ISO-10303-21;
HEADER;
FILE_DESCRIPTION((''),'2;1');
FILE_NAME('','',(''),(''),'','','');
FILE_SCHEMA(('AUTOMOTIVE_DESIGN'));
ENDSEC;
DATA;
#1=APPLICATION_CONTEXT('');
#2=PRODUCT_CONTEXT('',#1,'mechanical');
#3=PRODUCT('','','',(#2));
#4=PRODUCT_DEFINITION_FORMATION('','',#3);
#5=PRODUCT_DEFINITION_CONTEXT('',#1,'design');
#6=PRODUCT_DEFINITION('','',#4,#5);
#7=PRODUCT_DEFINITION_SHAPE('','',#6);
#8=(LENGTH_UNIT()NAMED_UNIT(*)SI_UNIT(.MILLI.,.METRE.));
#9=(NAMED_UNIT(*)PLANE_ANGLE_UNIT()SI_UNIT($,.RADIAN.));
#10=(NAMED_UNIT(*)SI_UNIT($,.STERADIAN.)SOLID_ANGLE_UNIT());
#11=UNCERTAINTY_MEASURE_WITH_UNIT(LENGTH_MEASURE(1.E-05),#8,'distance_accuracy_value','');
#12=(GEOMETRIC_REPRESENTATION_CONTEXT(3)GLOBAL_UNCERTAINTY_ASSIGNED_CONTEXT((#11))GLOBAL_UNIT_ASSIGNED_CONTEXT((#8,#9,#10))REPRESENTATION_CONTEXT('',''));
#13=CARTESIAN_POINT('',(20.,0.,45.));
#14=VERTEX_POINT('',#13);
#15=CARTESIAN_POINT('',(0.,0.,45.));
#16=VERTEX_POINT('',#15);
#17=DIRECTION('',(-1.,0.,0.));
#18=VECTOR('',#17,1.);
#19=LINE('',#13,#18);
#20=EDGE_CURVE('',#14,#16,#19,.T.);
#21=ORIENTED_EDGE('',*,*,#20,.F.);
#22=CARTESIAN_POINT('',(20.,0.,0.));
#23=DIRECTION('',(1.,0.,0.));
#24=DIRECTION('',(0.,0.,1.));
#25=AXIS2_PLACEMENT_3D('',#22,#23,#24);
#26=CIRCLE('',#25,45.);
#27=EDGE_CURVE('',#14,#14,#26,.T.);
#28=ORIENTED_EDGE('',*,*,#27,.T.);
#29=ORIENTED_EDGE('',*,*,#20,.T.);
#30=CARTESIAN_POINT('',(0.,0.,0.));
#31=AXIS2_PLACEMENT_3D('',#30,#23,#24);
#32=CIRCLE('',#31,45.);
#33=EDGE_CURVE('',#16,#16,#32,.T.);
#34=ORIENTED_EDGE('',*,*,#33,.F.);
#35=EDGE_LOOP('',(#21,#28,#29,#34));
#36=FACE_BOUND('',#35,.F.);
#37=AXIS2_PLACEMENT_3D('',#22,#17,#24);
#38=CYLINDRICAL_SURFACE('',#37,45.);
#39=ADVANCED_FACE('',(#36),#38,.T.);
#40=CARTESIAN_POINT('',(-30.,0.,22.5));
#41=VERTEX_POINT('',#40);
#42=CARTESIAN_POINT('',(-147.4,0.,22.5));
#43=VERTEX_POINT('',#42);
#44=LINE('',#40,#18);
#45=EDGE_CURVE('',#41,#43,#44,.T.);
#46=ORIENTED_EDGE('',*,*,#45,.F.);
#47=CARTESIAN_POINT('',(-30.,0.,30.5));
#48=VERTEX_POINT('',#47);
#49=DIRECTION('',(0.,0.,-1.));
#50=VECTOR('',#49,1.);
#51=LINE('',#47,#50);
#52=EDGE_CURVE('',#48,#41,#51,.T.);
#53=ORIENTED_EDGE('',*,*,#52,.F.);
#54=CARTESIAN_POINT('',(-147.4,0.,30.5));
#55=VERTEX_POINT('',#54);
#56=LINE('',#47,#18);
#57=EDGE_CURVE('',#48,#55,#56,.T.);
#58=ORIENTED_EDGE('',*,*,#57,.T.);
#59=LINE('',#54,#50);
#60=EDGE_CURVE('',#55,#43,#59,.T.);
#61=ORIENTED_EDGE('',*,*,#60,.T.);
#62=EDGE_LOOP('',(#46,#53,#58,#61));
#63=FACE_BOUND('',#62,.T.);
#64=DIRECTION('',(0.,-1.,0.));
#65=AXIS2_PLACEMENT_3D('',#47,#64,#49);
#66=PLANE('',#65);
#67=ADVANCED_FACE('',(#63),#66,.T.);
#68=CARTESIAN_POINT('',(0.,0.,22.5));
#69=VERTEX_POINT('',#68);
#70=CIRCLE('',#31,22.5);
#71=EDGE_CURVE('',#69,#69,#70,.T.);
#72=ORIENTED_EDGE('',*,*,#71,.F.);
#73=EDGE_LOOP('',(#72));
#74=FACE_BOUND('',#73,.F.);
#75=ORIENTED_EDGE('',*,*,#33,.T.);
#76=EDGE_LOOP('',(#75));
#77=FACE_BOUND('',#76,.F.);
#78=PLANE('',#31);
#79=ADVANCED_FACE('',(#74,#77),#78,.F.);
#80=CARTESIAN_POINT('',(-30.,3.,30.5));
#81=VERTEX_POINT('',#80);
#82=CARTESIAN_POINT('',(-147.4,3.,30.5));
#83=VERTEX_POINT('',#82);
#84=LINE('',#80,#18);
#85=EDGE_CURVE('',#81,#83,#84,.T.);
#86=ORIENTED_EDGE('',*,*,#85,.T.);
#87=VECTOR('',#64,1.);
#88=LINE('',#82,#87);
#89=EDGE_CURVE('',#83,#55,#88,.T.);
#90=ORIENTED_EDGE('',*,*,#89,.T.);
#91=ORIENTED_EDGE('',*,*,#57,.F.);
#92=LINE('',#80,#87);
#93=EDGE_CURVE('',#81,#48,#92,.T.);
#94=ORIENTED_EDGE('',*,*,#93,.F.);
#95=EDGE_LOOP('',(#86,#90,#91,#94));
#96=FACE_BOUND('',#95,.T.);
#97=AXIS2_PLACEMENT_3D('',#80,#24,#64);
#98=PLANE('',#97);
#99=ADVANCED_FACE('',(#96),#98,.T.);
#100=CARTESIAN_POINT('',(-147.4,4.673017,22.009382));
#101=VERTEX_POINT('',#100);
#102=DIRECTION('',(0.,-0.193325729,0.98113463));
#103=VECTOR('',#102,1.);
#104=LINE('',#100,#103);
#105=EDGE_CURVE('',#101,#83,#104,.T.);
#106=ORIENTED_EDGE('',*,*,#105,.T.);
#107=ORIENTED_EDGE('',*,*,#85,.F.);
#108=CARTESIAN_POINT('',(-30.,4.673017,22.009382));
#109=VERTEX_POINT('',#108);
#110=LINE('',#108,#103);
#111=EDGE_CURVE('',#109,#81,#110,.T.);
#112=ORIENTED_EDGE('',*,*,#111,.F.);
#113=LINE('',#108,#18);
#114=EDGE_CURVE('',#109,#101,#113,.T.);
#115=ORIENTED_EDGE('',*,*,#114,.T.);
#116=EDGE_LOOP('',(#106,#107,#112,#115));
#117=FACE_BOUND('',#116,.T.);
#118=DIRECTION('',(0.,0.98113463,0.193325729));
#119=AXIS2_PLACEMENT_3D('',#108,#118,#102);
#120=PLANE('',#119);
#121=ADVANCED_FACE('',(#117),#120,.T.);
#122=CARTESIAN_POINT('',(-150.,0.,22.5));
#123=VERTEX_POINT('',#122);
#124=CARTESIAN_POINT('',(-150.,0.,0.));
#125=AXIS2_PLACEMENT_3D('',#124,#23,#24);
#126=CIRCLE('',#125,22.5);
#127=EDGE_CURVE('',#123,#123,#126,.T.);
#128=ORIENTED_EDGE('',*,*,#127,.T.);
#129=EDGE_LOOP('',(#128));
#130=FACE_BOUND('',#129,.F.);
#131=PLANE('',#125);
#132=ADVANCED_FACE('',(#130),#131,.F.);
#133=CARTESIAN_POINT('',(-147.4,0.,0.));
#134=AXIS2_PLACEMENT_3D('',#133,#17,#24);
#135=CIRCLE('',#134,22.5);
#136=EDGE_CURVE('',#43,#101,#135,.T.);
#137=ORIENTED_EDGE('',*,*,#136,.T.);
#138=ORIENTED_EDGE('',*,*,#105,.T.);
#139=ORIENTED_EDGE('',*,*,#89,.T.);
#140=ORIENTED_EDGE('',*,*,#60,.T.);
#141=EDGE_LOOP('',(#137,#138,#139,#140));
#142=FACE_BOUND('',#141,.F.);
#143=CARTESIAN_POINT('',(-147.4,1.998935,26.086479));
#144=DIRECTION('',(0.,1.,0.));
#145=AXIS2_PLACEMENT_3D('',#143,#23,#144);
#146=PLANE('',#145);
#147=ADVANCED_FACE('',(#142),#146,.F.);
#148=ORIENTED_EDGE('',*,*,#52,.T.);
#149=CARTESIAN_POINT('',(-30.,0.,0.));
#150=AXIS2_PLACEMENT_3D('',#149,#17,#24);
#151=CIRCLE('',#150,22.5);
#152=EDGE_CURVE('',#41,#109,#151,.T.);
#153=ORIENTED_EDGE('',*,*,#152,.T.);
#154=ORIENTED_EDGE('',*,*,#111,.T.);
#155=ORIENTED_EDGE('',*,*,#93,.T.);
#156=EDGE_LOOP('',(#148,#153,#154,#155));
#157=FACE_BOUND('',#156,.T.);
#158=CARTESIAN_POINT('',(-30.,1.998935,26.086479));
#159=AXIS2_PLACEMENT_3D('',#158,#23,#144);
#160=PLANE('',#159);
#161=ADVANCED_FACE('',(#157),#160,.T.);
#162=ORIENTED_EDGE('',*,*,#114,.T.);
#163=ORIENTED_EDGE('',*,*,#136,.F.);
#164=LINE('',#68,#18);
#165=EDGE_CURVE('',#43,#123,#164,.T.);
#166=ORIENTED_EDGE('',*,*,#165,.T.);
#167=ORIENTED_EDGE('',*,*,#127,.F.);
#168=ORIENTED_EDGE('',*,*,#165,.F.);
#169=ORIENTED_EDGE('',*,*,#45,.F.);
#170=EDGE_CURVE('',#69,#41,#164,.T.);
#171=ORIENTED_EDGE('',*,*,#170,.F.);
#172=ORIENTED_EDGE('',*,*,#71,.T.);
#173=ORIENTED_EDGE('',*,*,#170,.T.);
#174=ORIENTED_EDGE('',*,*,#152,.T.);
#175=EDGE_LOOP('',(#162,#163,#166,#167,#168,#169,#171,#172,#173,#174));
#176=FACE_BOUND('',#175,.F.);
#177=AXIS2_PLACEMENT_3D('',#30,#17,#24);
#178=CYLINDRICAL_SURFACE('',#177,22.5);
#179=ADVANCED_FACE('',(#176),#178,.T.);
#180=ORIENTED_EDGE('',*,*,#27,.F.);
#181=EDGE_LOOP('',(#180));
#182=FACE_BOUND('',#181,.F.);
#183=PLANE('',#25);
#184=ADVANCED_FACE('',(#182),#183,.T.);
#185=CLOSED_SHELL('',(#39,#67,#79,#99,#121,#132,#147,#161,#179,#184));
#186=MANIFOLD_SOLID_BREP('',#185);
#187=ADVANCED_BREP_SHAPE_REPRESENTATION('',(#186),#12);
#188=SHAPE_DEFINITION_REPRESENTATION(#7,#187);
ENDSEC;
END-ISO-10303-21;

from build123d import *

# Parameters (mm, degrees)
F4_DEPTH = 117.4


with BuildPart() as f1:
    # F0 (on Front) → F1 (revolve)
    with BuildSketch(Plane.XZ):
        Polygon((-150, 22.5), (-150, 0), (20, 0), (20, 45), (0, 45), (0, 22.5), align=None)
    revolve(axis=Axis((-0.347704, 0, 0), (1, 0, 0)))

    # F3 (on offset) → F4 (join)
    with BuildSketch(Plane.YZ.offset(-30)):
        Polygon((3, 30.5), (0, 30.5), (0, 22.5), (4.673017, 22.009382), align=None)
    extrude(amount=-F4_DEPTH)


solid = f1.part
